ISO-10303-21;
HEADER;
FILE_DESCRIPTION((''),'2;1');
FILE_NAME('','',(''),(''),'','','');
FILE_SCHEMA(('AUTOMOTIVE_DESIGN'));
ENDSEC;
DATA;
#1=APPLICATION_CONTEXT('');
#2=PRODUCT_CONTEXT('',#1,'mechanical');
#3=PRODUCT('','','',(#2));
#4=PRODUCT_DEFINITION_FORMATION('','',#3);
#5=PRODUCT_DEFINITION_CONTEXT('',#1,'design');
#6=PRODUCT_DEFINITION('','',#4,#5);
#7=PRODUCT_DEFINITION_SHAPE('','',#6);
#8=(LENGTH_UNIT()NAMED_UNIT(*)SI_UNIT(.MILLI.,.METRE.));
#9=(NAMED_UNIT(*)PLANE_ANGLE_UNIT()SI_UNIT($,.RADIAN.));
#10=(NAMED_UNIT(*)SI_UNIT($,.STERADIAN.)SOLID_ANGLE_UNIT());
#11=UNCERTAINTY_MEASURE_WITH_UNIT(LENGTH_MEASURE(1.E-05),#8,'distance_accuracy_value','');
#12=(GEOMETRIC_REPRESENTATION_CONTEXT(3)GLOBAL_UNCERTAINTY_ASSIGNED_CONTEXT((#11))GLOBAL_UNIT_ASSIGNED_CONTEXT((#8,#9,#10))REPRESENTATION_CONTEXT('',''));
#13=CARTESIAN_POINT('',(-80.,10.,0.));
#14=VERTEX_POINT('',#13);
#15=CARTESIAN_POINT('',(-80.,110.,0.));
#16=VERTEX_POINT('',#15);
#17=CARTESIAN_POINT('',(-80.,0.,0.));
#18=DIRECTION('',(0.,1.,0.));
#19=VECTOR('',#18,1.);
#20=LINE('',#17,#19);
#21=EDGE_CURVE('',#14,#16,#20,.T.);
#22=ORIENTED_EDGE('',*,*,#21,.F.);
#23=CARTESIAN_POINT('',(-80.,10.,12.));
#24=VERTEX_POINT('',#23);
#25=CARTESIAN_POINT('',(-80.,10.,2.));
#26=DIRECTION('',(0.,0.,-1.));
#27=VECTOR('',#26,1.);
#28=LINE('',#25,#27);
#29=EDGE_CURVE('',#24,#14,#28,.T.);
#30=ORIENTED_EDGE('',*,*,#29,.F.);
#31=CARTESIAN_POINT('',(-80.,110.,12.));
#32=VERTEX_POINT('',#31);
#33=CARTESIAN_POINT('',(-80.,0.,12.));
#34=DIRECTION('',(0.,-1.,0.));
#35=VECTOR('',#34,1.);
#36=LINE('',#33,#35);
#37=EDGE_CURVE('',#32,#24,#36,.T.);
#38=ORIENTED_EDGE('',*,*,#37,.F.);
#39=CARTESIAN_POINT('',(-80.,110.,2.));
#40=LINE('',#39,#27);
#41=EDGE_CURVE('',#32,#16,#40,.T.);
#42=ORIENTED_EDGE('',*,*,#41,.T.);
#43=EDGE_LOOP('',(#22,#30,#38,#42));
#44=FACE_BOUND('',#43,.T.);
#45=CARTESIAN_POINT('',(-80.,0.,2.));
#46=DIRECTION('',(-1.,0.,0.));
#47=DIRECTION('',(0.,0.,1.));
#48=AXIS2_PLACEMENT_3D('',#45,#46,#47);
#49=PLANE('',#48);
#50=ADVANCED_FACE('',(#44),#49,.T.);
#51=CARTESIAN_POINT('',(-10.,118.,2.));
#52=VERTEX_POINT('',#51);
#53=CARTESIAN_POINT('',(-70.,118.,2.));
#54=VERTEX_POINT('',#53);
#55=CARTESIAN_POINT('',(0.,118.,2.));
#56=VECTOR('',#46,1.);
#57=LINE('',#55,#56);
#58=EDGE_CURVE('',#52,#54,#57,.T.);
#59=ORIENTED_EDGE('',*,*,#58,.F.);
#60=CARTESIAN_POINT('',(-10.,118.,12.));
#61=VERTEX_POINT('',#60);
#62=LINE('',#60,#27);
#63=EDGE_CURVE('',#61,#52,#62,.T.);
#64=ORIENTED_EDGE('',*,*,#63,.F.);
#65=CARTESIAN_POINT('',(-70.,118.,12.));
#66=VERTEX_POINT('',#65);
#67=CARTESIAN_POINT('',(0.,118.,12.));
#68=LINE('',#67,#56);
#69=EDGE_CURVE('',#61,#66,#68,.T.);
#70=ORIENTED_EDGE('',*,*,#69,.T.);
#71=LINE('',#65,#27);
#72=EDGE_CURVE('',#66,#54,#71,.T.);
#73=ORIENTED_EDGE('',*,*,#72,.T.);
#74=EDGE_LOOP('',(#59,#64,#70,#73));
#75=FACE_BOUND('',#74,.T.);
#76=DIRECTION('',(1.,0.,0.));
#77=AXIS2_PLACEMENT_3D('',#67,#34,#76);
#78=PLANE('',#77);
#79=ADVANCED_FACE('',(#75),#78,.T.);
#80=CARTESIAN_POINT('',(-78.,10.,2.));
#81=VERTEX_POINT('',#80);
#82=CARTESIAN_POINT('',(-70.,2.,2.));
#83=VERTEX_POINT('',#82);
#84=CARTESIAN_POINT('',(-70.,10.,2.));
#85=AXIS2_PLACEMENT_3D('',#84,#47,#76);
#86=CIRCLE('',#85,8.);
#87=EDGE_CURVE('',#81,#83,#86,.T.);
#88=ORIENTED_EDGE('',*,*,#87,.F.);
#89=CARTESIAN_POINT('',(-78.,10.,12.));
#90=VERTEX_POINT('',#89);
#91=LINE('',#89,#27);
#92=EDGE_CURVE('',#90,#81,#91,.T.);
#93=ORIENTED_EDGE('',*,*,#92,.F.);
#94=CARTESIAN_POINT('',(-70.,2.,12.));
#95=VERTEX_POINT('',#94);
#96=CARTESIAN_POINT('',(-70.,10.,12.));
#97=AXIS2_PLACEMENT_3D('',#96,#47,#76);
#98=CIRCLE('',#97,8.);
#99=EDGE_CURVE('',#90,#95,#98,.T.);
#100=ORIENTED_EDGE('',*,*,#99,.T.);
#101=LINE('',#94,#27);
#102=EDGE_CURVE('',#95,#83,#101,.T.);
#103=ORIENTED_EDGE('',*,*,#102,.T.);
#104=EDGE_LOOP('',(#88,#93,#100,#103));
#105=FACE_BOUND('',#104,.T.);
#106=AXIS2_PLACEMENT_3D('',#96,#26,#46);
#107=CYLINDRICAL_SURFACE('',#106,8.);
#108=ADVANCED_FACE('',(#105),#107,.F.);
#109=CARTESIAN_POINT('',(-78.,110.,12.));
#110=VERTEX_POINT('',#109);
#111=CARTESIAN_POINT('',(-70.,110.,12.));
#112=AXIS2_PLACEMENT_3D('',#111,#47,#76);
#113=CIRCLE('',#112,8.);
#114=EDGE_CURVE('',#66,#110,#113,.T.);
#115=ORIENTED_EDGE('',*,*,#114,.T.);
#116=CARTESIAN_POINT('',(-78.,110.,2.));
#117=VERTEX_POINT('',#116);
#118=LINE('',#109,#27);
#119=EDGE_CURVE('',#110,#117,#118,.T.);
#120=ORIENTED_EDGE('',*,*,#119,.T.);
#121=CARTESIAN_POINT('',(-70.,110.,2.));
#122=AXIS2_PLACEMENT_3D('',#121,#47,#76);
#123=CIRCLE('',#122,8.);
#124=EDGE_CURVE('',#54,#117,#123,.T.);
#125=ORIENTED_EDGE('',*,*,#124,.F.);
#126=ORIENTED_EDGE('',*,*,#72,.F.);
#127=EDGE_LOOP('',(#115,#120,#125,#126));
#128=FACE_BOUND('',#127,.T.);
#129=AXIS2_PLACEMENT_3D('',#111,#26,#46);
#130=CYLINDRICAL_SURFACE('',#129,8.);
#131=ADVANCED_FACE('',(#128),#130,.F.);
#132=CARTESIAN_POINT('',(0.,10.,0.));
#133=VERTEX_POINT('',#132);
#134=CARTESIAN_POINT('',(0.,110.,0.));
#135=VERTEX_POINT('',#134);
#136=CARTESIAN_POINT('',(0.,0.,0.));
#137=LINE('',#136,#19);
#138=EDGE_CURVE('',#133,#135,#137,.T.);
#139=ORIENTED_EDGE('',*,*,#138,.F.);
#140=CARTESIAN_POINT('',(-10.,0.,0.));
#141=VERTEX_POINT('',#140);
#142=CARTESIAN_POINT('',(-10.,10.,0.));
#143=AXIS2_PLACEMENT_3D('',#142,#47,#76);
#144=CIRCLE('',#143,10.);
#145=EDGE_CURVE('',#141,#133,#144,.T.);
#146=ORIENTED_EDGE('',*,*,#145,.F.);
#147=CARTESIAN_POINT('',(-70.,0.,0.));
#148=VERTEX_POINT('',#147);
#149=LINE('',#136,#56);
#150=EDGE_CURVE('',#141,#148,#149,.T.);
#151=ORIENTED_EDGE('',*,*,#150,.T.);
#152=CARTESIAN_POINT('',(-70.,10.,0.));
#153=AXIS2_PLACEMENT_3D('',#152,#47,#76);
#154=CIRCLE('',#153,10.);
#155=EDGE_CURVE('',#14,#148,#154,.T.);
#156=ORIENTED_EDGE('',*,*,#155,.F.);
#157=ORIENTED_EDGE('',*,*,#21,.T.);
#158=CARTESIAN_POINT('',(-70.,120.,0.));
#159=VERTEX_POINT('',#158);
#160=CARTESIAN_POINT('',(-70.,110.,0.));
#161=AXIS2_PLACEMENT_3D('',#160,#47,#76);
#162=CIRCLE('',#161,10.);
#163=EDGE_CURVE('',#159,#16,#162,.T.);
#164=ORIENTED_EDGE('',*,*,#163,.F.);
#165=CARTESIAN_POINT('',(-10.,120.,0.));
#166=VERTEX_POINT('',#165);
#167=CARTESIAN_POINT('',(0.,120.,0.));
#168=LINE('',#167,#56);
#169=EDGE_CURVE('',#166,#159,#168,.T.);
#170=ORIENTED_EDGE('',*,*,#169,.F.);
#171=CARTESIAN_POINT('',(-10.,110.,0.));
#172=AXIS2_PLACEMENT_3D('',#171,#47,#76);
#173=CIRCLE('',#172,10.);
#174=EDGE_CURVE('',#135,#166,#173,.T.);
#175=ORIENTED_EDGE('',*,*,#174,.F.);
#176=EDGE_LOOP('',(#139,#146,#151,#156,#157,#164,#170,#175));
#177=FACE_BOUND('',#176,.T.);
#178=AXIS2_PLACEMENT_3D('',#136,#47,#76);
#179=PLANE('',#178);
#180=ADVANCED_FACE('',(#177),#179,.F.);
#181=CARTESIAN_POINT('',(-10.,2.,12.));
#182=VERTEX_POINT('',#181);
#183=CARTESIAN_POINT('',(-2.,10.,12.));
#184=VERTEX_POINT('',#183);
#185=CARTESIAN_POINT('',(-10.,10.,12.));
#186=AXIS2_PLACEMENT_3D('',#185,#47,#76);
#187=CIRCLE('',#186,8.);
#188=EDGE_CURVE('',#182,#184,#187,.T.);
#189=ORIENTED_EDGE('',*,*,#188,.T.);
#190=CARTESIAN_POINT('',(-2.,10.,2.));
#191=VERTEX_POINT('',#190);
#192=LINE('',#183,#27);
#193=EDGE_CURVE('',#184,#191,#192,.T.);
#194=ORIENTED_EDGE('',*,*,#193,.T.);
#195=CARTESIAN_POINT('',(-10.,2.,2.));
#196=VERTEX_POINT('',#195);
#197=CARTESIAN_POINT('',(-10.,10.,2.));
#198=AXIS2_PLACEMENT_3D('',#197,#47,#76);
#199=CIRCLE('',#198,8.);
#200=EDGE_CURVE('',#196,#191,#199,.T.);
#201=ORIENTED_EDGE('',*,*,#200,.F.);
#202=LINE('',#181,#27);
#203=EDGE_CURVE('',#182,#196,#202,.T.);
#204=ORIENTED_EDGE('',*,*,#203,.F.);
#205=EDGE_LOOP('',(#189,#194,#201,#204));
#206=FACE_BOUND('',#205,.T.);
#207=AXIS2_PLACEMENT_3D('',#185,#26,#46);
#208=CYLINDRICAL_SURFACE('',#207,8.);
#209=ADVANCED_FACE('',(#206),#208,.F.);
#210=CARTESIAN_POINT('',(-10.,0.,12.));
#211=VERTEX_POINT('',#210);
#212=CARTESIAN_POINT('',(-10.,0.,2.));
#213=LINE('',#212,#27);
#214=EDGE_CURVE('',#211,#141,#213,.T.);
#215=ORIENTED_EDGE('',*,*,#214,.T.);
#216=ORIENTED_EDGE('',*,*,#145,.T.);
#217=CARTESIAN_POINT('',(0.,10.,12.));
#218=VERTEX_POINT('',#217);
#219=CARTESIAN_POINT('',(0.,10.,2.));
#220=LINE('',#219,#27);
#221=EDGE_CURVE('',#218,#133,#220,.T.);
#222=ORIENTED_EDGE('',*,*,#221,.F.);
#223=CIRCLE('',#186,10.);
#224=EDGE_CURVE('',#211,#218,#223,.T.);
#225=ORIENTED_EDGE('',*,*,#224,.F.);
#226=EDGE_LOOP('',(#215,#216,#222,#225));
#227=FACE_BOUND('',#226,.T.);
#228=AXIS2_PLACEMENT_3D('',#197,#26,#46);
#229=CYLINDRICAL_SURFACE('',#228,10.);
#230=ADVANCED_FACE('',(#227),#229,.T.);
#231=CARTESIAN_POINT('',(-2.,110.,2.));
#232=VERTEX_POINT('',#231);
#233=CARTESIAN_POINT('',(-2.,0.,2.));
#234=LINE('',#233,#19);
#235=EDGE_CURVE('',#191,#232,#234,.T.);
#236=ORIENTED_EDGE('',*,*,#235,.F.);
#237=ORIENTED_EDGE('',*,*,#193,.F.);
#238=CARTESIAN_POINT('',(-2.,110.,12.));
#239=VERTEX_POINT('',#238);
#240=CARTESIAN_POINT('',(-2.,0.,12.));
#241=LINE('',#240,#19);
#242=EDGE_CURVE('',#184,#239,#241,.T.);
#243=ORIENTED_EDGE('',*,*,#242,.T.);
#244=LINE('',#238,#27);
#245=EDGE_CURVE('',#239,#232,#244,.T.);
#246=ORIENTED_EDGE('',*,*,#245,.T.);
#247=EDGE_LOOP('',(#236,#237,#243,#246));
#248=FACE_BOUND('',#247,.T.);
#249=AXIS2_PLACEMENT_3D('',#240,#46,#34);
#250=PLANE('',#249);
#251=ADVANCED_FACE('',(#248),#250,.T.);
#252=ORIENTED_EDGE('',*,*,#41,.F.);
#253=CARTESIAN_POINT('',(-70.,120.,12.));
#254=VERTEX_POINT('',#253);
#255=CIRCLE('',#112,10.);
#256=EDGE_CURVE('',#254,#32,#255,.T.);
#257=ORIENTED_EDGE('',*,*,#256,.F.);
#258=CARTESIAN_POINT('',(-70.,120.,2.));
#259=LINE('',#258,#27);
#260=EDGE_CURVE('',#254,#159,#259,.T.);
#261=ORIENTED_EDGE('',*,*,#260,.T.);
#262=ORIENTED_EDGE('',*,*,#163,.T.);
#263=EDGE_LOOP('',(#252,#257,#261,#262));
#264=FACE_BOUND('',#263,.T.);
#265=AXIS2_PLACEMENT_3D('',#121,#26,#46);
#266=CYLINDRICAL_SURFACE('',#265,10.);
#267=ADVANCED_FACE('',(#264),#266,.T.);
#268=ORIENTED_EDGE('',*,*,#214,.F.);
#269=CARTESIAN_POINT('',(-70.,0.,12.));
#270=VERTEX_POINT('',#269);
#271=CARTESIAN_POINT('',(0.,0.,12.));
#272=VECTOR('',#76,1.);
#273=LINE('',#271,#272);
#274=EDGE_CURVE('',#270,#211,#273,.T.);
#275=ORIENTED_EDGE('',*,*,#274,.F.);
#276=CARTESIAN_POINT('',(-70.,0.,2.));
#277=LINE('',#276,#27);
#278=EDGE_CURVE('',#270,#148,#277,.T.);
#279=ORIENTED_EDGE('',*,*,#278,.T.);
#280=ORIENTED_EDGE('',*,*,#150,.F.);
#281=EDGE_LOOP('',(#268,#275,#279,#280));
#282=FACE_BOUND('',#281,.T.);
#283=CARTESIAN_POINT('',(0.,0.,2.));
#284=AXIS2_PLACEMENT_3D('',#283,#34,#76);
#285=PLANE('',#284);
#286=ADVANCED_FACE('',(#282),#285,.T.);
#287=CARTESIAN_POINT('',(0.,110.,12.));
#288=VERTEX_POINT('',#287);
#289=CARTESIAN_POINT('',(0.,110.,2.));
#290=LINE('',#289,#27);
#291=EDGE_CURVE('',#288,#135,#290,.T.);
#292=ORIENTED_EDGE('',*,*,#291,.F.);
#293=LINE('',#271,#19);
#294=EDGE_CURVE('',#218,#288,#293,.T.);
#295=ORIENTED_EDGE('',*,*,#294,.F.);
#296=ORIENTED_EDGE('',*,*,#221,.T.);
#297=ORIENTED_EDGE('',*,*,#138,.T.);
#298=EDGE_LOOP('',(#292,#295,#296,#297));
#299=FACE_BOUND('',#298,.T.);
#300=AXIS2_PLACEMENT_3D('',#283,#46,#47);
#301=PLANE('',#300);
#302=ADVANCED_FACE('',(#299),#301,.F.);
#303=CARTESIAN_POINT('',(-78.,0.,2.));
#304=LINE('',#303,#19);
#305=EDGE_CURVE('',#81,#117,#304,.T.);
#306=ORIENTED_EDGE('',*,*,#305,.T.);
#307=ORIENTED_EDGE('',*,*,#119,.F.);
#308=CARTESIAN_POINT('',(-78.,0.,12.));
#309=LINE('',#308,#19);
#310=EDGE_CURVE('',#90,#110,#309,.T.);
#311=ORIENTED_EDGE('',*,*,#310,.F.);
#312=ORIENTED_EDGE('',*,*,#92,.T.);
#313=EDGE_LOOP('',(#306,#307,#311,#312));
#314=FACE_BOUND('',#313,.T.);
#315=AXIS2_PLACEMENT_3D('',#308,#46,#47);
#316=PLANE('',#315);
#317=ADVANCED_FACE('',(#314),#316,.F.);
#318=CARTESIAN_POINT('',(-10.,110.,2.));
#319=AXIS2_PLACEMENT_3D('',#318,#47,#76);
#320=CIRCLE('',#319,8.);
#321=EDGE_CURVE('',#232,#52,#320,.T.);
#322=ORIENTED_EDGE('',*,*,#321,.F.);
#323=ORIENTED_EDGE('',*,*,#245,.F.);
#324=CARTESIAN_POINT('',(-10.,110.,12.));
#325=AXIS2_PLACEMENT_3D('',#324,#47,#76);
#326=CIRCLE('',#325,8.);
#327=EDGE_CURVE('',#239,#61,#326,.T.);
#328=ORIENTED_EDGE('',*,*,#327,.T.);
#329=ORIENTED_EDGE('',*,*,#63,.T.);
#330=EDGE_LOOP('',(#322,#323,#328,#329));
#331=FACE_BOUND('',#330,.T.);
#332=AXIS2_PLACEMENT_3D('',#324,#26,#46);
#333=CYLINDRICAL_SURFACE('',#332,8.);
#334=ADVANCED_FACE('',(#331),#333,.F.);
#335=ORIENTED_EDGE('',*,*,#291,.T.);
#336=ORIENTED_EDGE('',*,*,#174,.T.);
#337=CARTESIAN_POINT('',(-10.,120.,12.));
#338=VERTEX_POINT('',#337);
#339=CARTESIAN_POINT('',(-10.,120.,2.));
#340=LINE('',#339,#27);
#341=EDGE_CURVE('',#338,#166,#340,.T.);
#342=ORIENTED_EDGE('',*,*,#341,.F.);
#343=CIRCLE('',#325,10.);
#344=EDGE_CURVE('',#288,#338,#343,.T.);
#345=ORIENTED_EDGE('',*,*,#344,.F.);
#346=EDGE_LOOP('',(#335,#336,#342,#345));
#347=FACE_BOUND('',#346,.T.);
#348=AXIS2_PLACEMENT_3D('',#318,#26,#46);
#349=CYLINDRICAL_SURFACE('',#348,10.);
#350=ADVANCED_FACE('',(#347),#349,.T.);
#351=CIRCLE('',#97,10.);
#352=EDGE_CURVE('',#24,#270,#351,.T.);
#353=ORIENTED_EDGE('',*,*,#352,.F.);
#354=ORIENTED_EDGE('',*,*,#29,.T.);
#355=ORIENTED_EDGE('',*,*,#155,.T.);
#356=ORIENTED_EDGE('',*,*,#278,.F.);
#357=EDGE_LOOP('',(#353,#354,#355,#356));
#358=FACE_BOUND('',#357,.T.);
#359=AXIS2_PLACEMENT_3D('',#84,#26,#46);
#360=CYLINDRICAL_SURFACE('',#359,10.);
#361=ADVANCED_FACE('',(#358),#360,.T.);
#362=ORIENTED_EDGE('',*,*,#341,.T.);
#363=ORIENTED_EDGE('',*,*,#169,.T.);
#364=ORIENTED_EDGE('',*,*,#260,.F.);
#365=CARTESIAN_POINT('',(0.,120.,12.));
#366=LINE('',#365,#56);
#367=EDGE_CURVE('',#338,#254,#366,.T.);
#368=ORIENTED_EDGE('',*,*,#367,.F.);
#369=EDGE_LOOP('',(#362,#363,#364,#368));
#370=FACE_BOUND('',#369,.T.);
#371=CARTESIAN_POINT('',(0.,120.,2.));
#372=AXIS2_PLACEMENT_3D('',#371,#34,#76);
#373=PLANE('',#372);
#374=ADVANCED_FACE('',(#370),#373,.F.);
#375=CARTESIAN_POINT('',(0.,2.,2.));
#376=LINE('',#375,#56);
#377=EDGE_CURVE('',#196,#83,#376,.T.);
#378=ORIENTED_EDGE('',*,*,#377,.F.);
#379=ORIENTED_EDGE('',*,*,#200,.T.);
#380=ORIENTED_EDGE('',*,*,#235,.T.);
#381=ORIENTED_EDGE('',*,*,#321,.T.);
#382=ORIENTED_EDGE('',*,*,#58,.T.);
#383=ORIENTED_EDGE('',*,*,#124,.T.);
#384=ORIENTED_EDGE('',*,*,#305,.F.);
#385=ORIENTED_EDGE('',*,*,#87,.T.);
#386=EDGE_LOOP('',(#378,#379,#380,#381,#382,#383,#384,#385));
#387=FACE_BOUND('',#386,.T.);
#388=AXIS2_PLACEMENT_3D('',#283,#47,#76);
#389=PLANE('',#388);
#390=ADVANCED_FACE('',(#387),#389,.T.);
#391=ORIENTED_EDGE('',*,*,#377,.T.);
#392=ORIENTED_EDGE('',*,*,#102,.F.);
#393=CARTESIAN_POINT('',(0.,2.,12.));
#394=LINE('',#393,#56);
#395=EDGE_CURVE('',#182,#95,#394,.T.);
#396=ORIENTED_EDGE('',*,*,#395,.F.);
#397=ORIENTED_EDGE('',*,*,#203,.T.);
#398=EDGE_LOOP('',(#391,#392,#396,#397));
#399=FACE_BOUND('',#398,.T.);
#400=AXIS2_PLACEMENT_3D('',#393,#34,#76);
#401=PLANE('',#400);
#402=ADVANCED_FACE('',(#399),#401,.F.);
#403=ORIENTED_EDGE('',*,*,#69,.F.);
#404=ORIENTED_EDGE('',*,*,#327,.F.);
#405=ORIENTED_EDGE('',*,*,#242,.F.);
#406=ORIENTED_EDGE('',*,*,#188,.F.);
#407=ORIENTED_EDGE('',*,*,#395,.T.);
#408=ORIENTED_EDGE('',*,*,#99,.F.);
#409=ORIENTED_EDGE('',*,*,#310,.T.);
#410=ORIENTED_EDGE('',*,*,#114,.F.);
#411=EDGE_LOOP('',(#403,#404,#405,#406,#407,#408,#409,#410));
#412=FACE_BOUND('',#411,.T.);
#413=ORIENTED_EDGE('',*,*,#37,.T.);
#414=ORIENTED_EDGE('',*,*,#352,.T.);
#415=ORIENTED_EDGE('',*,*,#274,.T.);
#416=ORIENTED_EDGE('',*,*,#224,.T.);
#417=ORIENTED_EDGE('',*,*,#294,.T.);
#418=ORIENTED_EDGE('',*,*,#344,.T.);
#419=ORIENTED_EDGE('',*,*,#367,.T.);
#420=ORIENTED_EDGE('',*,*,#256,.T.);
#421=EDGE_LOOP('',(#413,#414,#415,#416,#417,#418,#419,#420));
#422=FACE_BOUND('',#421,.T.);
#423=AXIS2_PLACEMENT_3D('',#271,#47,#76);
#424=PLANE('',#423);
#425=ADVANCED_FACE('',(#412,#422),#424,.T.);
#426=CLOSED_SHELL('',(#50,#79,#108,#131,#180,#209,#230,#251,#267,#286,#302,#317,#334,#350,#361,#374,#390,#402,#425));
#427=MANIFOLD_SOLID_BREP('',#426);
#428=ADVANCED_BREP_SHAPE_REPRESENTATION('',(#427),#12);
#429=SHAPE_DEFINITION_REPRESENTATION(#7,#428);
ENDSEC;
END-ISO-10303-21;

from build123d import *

# Parameters (mm, degrees)
BOSS_EXTRU_3_DEPTH = 2
BOSS_EXTRU_4_DEPTH = 10


with BuildPart() as part:
    # Esquisse1 → Boss.-Extru.3 (new body)
    with BuildSketch(Plane.XY):
        with BuildLine():
            Line((-70, 0), (-10.000000065, 0))
            ThreePointArc((-10.000000065, 0), (-2.928932211, 2.928932165), (0, 10))
            Line((0, 10), (0, 110))
            ThreePointArc((0, 110), (-2.928932188, 117.071067812), (-10, 120))
            Line((-10, 120), (-70, 120))
            ThreePointArc((-70, 120), (-77.071067812, 117.071067812), (-80, 110))
            Line((-80, 110), (-80, 10))
            ThreePointArc((-80, 10), (-77.071067812, 2.928932188), (-70, 0))
        make_face()
    extrude(amount=BOSS_EXTRU_3_DEPTH)

    # Esquisse3 → Boss.-Extru.4 (add)
    with BuildSketch(Plane.XY.offset(2)):
        with BuildLine():
            ThreePointArc((-80, 10), (-79.486832981, 6.83772234), (-78, 4))
            Line((-78, 4), (-78, 10))
            Line((-78, 10), (-78, 16))
            ThreePointArc((-78, 16), (-79.486832981, 13.16227766), (-80, 10))
        make_face()
        with BuildLine():
            ThreePointArc((-78, 4), (-77.071067812, 2.928932188), (-76, 2))
            Line((-76, 2), (-70, 2))
            ThreePointArc((-70, 2), (-75.656854249, 4.343145751), (-78, 10))
            Line((-78, 10), (-78, 4))
        make_face()
        with BuildLine():
            ThreePointArc((-76, 2), (-73.16227766, 0.513167019), (-70, 0))
            ThreePointArc((-70, 0), (-66.83772234, 0.513167019), (-64, 2))
            Line((-64, 2), (-70, 2))
            Line((-70, 2), (-76, 2))
        make_face()
        with BuildLine():
            Line((-70, 0), (-10, 0))
            ThreePointArc((-10, 0), (-13.16227766, 0.513167019), (-16, 2))
            Line((-16, 2), (-64, 2))
            ThreePointArc((-64, 2), (-66.83772234, 0.513167019), (-70, 0))
        make_face()
        with BuildLine():
            ThreePointArc((-80, 10), (-79.486832981, 13.16227766), (-78, 16))
            Line((-78, 16), (-78, 104))
            ThreePointArc((-78, 104), (-79.486832981, 106.83772234), (-80, 110))
            Line((-80, 110), (-80, 10))
        make_face()
        with BuildLine():
            ThreePointArc((-80, 110), (-79.486832981, 106.83772234), (-78, 104))
            Line((-78, 104), (-78, 110))
            Line((-78, 110), (-78, 116))
            ThreePointArc((-78, 116), (-79.486832981, 113.16227766), (-80, 110))
        make_face()
        with BuildLine():
            ThreePointArc((-78, 110), (-75.656854249, 115.656854249), (-70, 118))
            Line((-70, 118), (-76, 118))
            ThreePointArc((-76, 118), (-77.071067812, 117.071067812), (-78, 116))
            Line((-78, 116), (-78, 110))
        make_face()
        with BuildLine():
            Line((-70, 118), (-64, 118))
            ThreePointArc((-64, 118), (-66.83772234, 119.486832981), (-70, 120))
            ThreePointArc((-70, 120), (-73.16227766, 119.486832981), (-76, 118))
            Line((-76, 118), (-70, 118))
        make_face()
        with BuildLine():
            Line((-64, 118), (-16, 118))
            ThreePointArc((-16, 118), (-13.16227766, 119.486832981), (-10, 120))
            Line((-10, 120), (-70, 120))
            ThreePointArc((-70, 120), (-66.83772234, 119.486832981), (-64, 118))
        make_face()
        with BuildLine():
            ThreePointArc((-10, 120), (-13.16227766, 119.486832981), (-16, 118))
            Line((-16, 118), (-10, 118))
            Line((-10, 118), (-4, 118))
            ThreePointArc((-4, 118), (-6.83772234, 119.486832981), (-10, 120))
        make_face()
        with BuildLine():
            Line((-2, 110), (-2, 116))
            ThreePointArc((-2, 116), (-2.928932188, 117.071067812), (-4, 118))
            Line((-4, 118), (-10, 118))
            ThreePointArc((-10, 118), (-4.343145751, 115.656854249), (-2, 110))
        make_face()
        with BuildLine():
            ThreePointArc((-2, 104), (-0.513167019, 106.83772234), (0, 110))
            ThreePointArc((0, 110), (-0.513167019, 113.16227766), (-2, 116))
            Line((-2, 116), (-2, 110))
            Line((-2, 110), (-2, 104))
        make_face()
        with BuildLine():
            ThreePointArc((-2, 16), (-0.513167019, 13.16227766), (0, 10))
            Line((0, 10), (0, 110))
            ThreePointArc((0, 110), (-0.513167019, 106.83772234), (-2, 104))
            Line((-2, 104), (-2, 16))
        make_face()
        with BuildLine():
            Line((-2, 10), (-2, 4))
            ThreePointArc((-2, 4), (-0.513167019, 6.83772234), (0, 10))
            ThreePointArc((0, 10), (-0.513167019, 13.16227766), (-2, 16))
            Line((-2, 16), (-2, 10))
        make_face()
        with BuildLine():
            Line((-10, 2), (-4, 2))
            ThreePointArc((-4, 2), (-2.928932188, 2.928932188), (-2, 4))
            Line((-2, 4), (-2, 10))
            ThreePointArc((-2, 10), (-4.343145751, 4.343145751), (-10, 2))
        make_face()
        with BuildLine():
            ThreePointArc((-10, 0), (-6.83772234, 0.513167019), (-4, 2))
            Line((-4, 2), (-10, 2))
            Line((-10, 2), (-16, 2))
            ThreePointArc((-16, 2), (-13.16227766, 0.513167019), (-10, 0))
        make_face()
    extrude(amount=BOSS_EXTRU_4_DEPTH)


solid = part.part
